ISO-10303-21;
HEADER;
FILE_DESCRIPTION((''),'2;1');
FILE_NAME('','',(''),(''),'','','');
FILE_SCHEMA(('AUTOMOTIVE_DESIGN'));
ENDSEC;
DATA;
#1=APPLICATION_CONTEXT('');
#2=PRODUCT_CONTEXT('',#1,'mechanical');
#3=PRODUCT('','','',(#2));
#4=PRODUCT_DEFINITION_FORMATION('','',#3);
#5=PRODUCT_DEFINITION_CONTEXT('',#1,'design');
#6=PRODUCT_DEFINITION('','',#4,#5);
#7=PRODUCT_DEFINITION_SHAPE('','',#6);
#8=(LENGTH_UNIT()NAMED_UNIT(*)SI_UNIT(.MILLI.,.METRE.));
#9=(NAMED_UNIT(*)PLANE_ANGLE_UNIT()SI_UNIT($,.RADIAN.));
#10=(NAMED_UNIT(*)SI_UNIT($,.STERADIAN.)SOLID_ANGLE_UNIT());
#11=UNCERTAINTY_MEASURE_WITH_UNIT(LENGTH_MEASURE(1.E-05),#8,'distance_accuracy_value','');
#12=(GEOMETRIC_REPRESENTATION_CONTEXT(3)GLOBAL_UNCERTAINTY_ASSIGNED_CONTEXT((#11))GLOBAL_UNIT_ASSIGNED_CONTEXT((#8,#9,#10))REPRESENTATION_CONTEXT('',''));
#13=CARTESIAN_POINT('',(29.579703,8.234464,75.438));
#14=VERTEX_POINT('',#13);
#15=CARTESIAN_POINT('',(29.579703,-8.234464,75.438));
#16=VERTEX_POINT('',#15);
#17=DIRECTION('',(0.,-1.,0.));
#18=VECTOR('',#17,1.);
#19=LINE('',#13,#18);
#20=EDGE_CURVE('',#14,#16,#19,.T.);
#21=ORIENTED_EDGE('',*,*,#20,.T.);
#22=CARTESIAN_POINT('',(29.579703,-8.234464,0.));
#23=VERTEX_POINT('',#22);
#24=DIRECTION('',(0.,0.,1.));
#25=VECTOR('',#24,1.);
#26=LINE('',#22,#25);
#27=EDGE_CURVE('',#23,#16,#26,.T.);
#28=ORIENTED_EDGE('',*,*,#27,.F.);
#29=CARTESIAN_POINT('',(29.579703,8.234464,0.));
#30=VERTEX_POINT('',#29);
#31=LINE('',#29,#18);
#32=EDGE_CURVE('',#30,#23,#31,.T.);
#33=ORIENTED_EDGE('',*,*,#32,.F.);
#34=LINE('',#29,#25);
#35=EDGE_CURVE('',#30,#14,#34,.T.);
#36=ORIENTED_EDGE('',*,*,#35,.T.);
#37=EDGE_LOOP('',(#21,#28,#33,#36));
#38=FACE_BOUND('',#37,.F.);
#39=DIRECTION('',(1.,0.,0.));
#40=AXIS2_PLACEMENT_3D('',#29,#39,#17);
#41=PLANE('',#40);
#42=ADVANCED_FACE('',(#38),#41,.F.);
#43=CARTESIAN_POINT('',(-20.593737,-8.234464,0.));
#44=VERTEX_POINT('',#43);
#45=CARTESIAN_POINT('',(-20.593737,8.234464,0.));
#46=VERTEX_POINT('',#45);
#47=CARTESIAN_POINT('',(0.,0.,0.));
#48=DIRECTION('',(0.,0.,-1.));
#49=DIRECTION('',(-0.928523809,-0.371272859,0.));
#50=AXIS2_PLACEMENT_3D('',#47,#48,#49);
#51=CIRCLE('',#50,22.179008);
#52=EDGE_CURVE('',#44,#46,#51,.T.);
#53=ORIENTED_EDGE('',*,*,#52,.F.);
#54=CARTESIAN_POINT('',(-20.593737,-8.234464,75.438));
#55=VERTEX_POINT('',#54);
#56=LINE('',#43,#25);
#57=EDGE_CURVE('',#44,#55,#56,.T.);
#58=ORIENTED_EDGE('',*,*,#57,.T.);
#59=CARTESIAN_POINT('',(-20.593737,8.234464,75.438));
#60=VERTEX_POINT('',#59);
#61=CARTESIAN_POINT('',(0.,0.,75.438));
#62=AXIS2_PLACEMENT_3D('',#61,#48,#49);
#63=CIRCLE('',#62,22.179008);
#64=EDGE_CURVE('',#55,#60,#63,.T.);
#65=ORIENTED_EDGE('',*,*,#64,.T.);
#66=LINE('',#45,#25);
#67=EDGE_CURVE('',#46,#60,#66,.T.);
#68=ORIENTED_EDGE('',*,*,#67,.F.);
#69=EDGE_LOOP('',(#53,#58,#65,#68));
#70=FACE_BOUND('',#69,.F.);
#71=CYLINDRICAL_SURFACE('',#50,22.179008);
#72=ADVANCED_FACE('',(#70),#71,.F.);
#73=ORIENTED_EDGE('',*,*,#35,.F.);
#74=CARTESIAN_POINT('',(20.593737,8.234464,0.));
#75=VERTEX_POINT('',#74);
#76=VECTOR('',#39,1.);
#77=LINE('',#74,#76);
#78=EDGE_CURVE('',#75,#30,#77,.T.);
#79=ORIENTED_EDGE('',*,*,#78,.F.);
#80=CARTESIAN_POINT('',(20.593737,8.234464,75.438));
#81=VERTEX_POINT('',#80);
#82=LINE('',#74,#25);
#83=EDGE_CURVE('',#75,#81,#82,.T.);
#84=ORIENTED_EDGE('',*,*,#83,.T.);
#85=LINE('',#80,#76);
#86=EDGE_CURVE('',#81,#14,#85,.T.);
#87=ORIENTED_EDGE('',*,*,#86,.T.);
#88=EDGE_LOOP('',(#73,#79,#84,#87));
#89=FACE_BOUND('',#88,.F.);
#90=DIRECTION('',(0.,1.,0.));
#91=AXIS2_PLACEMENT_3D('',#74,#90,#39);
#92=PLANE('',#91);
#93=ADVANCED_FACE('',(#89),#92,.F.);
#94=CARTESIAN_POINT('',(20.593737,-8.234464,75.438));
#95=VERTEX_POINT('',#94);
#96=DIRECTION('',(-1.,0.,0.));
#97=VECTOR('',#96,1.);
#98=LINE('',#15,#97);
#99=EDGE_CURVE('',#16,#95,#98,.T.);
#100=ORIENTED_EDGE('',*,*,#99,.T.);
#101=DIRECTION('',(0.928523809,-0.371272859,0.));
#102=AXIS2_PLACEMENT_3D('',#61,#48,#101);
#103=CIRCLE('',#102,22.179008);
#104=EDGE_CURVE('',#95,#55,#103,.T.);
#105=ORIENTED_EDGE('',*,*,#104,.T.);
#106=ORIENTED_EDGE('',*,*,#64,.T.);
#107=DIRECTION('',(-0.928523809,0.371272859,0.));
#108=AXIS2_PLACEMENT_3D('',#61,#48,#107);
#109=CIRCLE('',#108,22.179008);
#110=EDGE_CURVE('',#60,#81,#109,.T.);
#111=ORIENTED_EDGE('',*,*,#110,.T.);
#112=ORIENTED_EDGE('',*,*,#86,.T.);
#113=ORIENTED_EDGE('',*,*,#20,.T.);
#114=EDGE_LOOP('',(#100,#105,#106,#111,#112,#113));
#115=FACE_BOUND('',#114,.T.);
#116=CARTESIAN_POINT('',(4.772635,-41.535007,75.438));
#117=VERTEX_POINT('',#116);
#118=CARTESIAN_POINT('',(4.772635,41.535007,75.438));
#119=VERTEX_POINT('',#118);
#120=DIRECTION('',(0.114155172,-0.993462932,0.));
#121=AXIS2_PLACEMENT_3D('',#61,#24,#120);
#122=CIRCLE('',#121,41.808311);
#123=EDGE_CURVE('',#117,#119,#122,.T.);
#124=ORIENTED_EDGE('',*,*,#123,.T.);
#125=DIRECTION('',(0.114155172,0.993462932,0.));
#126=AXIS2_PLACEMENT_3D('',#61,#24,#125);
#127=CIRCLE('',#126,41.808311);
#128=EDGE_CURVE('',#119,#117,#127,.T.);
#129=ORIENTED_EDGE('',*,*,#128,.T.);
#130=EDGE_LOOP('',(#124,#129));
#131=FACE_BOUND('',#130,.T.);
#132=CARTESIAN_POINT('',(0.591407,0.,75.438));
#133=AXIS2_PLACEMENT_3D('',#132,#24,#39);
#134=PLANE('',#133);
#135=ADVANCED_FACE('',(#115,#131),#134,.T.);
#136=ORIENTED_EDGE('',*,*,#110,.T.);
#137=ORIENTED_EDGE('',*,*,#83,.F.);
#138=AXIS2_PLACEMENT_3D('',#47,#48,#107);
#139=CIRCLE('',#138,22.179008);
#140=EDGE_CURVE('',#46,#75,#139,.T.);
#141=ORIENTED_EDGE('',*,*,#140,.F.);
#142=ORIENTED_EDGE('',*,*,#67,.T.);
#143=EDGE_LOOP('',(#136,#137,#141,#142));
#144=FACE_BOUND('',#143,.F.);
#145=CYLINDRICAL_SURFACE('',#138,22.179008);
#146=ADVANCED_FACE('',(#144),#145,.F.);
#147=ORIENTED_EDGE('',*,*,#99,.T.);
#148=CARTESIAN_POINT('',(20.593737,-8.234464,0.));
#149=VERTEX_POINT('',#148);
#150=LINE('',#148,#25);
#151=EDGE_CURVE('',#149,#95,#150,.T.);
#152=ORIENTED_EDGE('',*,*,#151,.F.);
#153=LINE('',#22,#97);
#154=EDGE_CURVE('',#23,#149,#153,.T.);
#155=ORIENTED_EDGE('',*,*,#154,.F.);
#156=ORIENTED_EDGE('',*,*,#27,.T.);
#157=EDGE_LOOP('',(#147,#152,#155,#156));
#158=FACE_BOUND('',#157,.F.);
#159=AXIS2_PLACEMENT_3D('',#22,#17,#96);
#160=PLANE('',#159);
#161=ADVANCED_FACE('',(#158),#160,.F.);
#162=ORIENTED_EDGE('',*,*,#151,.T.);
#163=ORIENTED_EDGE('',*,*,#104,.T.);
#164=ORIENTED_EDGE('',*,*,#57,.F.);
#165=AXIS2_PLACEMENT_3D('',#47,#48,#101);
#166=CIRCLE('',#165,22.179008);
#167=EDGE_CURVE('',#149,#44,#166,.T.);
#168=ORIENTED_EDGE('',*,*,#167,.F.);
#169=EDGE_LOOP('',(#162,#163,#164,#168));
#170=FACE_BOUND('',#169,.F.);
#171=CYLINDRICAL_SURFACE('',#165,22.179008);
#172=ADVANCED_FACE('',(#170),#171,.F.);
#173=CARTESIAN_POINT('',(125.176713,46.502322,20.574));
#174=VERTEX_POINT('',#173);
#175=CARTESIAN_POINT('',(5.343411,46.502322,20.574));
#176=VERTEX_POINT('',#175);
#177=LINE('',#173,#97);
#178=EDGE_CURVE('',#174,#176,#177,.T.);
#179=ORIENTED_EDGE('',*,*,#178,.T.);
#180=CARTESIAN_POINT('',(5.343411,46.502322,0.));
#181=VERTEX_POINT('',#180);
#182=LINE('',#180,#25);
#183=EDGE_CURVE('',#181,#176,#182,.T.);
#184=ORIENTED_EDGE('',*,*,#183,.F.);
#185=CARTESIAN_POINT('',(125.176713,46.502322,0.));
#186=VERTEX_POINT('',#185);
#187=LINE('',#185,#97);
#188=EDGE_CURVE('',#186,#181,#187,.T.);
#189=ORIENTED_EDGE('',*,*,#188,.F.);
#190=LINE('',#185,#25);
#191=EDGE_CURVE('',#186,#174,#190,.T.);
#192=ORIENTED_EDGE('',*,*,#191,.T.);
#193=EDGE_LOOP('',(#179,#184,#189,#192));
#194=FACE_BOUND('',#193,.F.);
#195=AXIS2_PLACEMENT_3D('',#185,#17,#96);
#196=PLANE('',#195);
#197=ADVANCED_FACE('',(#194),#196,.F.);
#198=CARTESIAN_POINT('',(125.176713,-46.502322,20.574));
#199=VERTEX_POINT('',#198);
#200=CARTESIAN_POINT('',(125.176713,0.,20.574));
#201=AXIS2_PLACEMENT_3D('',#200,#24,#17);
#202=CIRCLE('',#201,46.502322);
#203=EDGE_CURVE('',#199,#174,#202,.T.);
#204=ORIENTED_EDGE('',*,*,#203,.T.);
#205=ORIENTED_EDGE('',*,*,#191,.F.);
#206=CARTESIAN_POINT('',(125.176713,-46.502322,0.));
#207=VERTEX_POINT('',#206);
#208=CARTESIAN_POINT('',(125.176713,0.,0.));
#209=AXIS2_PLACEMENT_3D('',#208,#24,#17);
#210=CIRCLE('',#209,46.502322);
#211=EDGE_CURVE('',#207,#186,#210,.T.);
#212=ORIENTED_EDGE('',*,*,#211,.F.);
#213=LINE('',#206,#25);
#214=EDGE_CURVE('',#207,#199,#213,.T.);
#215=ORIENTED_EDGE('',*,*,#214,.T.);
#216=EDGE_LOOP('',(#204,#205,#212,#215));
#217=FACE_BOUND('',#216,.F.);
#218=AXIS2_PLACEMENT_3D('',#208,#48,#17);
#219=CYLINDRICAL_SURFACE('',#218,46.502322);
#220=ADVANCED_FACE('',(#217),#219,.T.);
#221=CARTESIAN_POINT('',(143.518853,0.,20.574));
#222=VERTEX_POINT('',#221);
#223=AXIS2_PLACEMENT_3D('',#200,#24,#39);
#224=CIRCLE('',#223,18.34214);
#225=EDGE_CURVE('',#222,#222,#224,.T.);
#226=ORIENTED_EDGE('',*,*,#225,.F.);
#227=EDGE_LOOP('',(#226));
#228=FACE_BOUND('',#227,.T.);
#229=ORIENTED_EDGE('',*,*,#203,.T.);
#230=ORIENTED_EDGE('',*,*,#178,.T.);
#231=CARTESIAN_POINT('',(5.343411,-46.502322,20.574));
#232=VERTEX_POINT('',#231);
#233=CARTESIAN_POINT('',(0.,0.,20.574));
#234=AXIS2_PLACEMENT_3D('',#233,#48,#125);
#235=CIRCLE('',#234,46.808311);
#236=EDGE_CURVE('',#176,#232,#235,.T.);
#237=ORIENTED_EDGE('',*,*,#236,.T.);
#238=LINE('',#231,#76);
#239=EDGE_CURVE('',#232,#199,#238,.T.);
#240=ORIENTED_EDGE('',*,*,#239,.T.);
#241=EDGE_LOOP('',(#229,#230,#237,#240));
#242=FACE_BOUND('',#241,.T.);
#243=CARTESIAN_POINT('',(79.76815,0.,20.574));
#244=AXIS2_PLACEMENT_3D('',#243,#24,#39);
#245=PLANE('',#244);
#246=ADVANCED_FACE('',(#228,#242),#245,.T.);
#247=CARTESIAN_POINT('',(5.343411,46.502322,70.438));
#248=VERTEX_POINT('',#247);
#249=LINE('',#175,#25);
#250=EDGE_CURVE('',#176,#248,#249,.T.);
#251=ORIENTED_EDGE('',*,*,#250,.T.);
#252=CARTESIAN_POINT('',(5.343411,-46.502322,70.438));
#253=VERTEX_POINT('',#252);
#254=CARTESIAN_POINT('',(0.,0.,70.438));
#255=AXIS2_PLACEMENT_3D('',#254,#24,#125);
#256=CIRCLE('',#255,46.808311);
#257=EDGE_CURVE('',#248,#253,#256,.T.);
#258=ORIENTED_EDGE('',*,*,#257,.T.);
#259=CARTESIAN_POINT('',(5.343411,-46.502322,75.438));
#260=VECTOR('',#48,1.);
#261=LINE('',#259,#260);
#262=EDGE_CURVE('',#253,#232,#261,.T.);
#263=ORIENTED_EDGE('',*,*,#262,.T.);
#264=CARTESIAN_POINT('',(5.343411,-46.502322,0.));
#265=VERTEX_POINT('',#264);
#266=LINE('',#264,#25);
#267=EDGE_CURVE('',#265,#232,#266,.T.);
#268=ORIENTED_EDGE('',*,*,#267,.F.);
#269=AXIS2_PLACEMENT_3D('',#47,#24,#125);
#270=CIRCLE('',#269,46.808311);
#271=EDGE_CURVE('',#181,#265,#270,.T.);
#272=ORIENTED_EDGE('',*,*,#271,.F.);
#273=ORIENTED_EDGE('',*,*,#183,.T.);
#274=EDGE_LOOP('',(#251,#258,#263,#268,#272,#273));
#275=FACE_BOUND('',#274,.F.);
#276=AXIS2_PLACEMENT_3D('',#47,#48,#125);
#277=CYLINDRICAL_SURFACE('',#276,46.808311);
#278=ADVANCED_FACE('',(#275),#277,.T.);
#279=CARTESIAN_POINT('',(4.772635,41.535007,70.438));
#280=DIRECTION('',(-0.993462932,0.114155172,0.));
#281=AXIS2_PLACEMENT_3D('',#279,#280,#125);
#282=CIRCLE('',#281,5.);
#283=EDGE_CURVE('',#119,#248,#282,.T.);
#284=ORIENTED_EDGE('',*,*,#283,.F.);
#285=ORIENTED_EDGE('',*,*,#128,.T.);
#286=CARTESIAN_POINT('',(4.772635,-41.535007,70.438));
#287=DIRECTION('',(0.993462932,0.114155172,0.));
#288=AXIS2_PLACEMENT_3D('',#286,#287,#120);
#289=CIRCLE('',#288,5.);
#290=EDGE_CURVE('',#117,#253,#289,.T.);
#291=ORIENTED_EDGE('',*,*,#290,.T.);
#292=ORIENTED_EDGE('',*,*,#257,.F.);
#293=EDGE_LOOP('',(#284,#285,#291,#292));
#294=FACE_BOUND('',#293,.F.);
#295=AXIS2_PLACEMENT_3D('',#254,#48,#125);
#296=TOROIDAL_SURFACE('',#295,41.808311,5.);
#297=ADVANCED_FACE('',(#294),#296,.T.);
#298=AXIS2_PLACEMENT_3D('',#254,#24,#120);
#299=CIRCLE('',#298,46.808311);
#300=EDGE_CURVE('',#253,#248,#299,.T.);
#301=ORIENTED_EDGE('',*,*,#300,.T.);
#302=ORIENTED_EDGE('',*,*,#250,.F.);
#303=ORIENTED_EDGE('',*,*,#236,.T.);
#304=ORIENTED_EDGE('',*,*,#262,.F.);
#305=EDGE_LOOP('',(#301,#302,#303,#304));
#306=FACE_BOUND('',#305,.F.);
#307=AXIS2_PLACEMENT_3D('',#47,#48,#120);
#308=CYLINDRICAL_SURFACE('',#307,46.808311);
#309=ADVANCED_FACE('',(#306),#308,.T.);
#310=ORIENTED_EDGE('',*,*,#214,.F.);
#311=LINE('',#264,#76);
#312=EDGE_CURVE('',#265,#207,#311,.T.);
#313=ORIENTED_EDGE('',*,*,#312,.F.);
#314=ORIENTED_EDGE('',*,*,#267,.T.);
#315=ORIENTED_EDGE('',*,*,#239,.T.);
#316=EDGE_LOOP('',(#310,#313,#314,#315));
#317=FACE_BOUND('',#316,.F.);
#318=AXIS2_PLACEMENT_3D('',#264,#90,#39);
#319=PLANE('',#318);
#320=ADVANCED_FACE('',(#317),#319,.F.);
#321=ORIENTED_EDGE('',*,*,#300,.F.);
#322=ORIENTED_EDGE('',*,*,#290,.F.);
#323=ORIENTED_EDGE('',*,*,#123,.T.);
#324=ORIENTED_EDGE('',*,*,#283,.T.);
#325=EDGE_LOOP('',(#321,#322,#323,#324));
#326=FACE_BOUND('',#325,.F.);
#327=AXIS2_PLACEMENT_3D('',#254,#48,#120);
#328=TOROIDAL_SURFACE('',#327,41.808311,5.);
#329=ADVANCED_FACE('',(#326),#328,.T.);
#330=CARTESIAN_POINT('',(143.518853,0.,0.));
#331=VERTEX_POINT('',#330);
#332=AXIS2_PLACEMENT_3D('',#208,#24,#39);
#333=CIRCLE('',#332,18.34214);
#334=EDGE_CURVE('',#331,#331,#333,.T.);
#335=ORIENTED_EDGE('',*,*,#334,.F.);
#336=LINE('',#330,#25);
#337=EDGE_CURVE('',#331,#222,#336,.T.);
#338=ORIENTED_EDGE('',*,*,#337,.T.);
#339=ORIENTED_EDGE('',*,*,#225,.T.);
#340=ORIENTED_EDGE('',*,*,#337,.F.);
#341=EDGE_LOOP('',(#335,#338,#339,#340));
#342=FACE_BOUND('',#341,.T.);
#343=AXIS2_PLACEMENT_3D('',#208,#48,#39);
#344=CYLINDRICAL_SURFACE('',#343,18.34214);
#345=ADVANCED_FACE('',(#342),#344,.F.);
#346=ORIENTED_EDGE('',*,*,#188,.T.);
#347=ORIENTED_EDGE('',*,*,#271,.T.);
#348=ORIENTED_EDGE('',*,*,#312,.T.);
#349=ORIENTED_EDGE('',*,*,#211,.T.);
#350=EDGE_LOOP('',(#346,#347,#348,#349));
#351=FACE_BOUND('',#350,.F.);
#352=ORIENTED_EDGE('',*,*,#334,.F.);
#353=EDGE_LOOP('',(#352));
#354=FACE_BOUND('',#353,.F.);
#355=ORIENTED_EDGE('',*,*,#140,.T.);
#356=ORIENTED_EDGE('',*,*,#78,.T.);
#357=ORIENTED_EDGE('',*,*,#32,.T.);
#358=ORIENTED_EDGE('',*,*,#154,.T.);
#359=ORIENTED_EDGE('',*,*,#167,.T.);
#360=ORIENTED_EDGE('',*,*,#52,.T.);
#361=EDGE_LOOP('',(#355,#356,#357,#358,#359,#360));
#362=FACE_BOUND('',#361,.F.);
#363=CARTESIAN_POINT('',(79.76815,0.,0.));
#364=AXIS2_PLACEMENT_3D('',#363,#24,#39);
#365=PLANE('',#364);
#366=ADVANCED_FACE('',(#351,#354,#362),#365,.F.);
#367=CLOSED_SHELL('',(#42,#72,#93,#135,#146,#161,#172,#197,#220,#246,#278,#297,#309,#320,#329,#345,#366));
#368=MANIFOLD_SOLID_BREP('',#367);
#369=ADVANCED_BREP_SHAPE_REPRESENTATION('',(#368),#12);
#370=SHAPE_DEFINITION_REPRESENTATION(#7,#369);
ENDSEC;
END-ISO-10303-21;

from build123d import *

# Parameters (mm, degrees)
F0_R     = 41.7429221606
F1_DEPTH = 75.438
F0_R_2   = 18.342139753
F2_DEPTH = 20.574
F3_DEPTH = 73
F4_R     = 5


with BuildPart() as f1:
    # F0 (on Top) → F1 (new body)
    with BuildSketch(Plane.XY):
        with BuildLine():
            ThreePointArc((5.3434108118, -46.5023219585), (34.9366141904, -31.1520621396), (46.8083110851, 0))
            ThreePointArc((46.8083110851, 0), (34.9366141904, 31.1520621396), (5.3434108118, 46.5023219585))
            ThreePointArc((5.3434108118, 46.5023219585), (-46.8083110851, 0), (5.3434108118, -46.5023219585))
        make_face()
        Circle(F0_R, mode=Mode.SUBTRACT)
        Circle(F0_R)
        with BuildLine():
            ThreePointArc((-20.5937367847, -8.2344636321), (-22.1790077791, 0), (-20.5937367847, 8.2344636321))
            ThreePointArc((-20.5937367847, 8.2344636321), (0, 22.1790077791), (20.5937367847, 8.2344636321))
            Line((20.5937367847, 8.2344636321), (29.5797027647, 8.2344636321))
            Line((29.5797027647, 8.2344636321), (29.5797027647, -8.2344636321))
            Line((29.5797027647, -8.2344636321), (20.5937367847, -8.2344636321))
            ThreePointArc((20.5937367847, -8.2344636321), (0, -22.1790077791), (-20.5937367847, -8.2344636321))
        make_face(mode=Mode.SUBTRACT)
    extrude(amount=F1_DEPTH)

    # F0 (on Top) → F2 (join)
    with BuildSketch(Plane.XY):
        with BuildLine():
            ThreePointArc((5.3434108118, 46.5023219585), (34.9366141904, 31.1520621396), (46.8083110851, 0))
            ThreePointArc((46.8083110851, 0), (34.9366141904, -31.1520621396), (5.3434108118, -46.5023219585))
            Line((5.3434108118, -46.5023219585), (125.1767128706, -46.5023219585))
            ThreePointArc((125.1767128706, -46.5023219585), (171.6790348291, 0), (125.1767128706, 46.5023219585))
            Line((125.1767128706, 46.5023219585), (5.3434108118, 46.5023219585))
        make_face()
        with Locations((125.1767128706, 0)):
            Circle(F0_R_2, mode=Mode.SUBTRACT)
    extrude(amount=F2_DEPTH)

    # F0 (on Top) → F3 (join)
    with BuildSketch(Plane.XY):
        with BuildLine():
            ThreePointArc((5.3434108118, -46.5023219585), (34.9366141904, -31.1520621396), (46.8083110851, 0))
            ThreePointArc((46.8083110851, 0), (34.9366141904, 31.1520621396), (5.3434108118, 46.5023219585))
            ThreePointArc((5.3434108118, 46.5023219585), (-46.8083110851, 0), (5.3434108118, -46.5023219585))
        make_face()
        Circle(F0_R, mode=Mode.SUBTRACT)
    extrude(amount=F3_DEPTH)

    # F4
    f4_edges = [f1.edges().sort_by_distance(p)[0] for p in [
        (-5.343411, 46.502322, 75.438),
    ]]
    fillet(f4_edges, radius=F4_R)


solid = f1.part
